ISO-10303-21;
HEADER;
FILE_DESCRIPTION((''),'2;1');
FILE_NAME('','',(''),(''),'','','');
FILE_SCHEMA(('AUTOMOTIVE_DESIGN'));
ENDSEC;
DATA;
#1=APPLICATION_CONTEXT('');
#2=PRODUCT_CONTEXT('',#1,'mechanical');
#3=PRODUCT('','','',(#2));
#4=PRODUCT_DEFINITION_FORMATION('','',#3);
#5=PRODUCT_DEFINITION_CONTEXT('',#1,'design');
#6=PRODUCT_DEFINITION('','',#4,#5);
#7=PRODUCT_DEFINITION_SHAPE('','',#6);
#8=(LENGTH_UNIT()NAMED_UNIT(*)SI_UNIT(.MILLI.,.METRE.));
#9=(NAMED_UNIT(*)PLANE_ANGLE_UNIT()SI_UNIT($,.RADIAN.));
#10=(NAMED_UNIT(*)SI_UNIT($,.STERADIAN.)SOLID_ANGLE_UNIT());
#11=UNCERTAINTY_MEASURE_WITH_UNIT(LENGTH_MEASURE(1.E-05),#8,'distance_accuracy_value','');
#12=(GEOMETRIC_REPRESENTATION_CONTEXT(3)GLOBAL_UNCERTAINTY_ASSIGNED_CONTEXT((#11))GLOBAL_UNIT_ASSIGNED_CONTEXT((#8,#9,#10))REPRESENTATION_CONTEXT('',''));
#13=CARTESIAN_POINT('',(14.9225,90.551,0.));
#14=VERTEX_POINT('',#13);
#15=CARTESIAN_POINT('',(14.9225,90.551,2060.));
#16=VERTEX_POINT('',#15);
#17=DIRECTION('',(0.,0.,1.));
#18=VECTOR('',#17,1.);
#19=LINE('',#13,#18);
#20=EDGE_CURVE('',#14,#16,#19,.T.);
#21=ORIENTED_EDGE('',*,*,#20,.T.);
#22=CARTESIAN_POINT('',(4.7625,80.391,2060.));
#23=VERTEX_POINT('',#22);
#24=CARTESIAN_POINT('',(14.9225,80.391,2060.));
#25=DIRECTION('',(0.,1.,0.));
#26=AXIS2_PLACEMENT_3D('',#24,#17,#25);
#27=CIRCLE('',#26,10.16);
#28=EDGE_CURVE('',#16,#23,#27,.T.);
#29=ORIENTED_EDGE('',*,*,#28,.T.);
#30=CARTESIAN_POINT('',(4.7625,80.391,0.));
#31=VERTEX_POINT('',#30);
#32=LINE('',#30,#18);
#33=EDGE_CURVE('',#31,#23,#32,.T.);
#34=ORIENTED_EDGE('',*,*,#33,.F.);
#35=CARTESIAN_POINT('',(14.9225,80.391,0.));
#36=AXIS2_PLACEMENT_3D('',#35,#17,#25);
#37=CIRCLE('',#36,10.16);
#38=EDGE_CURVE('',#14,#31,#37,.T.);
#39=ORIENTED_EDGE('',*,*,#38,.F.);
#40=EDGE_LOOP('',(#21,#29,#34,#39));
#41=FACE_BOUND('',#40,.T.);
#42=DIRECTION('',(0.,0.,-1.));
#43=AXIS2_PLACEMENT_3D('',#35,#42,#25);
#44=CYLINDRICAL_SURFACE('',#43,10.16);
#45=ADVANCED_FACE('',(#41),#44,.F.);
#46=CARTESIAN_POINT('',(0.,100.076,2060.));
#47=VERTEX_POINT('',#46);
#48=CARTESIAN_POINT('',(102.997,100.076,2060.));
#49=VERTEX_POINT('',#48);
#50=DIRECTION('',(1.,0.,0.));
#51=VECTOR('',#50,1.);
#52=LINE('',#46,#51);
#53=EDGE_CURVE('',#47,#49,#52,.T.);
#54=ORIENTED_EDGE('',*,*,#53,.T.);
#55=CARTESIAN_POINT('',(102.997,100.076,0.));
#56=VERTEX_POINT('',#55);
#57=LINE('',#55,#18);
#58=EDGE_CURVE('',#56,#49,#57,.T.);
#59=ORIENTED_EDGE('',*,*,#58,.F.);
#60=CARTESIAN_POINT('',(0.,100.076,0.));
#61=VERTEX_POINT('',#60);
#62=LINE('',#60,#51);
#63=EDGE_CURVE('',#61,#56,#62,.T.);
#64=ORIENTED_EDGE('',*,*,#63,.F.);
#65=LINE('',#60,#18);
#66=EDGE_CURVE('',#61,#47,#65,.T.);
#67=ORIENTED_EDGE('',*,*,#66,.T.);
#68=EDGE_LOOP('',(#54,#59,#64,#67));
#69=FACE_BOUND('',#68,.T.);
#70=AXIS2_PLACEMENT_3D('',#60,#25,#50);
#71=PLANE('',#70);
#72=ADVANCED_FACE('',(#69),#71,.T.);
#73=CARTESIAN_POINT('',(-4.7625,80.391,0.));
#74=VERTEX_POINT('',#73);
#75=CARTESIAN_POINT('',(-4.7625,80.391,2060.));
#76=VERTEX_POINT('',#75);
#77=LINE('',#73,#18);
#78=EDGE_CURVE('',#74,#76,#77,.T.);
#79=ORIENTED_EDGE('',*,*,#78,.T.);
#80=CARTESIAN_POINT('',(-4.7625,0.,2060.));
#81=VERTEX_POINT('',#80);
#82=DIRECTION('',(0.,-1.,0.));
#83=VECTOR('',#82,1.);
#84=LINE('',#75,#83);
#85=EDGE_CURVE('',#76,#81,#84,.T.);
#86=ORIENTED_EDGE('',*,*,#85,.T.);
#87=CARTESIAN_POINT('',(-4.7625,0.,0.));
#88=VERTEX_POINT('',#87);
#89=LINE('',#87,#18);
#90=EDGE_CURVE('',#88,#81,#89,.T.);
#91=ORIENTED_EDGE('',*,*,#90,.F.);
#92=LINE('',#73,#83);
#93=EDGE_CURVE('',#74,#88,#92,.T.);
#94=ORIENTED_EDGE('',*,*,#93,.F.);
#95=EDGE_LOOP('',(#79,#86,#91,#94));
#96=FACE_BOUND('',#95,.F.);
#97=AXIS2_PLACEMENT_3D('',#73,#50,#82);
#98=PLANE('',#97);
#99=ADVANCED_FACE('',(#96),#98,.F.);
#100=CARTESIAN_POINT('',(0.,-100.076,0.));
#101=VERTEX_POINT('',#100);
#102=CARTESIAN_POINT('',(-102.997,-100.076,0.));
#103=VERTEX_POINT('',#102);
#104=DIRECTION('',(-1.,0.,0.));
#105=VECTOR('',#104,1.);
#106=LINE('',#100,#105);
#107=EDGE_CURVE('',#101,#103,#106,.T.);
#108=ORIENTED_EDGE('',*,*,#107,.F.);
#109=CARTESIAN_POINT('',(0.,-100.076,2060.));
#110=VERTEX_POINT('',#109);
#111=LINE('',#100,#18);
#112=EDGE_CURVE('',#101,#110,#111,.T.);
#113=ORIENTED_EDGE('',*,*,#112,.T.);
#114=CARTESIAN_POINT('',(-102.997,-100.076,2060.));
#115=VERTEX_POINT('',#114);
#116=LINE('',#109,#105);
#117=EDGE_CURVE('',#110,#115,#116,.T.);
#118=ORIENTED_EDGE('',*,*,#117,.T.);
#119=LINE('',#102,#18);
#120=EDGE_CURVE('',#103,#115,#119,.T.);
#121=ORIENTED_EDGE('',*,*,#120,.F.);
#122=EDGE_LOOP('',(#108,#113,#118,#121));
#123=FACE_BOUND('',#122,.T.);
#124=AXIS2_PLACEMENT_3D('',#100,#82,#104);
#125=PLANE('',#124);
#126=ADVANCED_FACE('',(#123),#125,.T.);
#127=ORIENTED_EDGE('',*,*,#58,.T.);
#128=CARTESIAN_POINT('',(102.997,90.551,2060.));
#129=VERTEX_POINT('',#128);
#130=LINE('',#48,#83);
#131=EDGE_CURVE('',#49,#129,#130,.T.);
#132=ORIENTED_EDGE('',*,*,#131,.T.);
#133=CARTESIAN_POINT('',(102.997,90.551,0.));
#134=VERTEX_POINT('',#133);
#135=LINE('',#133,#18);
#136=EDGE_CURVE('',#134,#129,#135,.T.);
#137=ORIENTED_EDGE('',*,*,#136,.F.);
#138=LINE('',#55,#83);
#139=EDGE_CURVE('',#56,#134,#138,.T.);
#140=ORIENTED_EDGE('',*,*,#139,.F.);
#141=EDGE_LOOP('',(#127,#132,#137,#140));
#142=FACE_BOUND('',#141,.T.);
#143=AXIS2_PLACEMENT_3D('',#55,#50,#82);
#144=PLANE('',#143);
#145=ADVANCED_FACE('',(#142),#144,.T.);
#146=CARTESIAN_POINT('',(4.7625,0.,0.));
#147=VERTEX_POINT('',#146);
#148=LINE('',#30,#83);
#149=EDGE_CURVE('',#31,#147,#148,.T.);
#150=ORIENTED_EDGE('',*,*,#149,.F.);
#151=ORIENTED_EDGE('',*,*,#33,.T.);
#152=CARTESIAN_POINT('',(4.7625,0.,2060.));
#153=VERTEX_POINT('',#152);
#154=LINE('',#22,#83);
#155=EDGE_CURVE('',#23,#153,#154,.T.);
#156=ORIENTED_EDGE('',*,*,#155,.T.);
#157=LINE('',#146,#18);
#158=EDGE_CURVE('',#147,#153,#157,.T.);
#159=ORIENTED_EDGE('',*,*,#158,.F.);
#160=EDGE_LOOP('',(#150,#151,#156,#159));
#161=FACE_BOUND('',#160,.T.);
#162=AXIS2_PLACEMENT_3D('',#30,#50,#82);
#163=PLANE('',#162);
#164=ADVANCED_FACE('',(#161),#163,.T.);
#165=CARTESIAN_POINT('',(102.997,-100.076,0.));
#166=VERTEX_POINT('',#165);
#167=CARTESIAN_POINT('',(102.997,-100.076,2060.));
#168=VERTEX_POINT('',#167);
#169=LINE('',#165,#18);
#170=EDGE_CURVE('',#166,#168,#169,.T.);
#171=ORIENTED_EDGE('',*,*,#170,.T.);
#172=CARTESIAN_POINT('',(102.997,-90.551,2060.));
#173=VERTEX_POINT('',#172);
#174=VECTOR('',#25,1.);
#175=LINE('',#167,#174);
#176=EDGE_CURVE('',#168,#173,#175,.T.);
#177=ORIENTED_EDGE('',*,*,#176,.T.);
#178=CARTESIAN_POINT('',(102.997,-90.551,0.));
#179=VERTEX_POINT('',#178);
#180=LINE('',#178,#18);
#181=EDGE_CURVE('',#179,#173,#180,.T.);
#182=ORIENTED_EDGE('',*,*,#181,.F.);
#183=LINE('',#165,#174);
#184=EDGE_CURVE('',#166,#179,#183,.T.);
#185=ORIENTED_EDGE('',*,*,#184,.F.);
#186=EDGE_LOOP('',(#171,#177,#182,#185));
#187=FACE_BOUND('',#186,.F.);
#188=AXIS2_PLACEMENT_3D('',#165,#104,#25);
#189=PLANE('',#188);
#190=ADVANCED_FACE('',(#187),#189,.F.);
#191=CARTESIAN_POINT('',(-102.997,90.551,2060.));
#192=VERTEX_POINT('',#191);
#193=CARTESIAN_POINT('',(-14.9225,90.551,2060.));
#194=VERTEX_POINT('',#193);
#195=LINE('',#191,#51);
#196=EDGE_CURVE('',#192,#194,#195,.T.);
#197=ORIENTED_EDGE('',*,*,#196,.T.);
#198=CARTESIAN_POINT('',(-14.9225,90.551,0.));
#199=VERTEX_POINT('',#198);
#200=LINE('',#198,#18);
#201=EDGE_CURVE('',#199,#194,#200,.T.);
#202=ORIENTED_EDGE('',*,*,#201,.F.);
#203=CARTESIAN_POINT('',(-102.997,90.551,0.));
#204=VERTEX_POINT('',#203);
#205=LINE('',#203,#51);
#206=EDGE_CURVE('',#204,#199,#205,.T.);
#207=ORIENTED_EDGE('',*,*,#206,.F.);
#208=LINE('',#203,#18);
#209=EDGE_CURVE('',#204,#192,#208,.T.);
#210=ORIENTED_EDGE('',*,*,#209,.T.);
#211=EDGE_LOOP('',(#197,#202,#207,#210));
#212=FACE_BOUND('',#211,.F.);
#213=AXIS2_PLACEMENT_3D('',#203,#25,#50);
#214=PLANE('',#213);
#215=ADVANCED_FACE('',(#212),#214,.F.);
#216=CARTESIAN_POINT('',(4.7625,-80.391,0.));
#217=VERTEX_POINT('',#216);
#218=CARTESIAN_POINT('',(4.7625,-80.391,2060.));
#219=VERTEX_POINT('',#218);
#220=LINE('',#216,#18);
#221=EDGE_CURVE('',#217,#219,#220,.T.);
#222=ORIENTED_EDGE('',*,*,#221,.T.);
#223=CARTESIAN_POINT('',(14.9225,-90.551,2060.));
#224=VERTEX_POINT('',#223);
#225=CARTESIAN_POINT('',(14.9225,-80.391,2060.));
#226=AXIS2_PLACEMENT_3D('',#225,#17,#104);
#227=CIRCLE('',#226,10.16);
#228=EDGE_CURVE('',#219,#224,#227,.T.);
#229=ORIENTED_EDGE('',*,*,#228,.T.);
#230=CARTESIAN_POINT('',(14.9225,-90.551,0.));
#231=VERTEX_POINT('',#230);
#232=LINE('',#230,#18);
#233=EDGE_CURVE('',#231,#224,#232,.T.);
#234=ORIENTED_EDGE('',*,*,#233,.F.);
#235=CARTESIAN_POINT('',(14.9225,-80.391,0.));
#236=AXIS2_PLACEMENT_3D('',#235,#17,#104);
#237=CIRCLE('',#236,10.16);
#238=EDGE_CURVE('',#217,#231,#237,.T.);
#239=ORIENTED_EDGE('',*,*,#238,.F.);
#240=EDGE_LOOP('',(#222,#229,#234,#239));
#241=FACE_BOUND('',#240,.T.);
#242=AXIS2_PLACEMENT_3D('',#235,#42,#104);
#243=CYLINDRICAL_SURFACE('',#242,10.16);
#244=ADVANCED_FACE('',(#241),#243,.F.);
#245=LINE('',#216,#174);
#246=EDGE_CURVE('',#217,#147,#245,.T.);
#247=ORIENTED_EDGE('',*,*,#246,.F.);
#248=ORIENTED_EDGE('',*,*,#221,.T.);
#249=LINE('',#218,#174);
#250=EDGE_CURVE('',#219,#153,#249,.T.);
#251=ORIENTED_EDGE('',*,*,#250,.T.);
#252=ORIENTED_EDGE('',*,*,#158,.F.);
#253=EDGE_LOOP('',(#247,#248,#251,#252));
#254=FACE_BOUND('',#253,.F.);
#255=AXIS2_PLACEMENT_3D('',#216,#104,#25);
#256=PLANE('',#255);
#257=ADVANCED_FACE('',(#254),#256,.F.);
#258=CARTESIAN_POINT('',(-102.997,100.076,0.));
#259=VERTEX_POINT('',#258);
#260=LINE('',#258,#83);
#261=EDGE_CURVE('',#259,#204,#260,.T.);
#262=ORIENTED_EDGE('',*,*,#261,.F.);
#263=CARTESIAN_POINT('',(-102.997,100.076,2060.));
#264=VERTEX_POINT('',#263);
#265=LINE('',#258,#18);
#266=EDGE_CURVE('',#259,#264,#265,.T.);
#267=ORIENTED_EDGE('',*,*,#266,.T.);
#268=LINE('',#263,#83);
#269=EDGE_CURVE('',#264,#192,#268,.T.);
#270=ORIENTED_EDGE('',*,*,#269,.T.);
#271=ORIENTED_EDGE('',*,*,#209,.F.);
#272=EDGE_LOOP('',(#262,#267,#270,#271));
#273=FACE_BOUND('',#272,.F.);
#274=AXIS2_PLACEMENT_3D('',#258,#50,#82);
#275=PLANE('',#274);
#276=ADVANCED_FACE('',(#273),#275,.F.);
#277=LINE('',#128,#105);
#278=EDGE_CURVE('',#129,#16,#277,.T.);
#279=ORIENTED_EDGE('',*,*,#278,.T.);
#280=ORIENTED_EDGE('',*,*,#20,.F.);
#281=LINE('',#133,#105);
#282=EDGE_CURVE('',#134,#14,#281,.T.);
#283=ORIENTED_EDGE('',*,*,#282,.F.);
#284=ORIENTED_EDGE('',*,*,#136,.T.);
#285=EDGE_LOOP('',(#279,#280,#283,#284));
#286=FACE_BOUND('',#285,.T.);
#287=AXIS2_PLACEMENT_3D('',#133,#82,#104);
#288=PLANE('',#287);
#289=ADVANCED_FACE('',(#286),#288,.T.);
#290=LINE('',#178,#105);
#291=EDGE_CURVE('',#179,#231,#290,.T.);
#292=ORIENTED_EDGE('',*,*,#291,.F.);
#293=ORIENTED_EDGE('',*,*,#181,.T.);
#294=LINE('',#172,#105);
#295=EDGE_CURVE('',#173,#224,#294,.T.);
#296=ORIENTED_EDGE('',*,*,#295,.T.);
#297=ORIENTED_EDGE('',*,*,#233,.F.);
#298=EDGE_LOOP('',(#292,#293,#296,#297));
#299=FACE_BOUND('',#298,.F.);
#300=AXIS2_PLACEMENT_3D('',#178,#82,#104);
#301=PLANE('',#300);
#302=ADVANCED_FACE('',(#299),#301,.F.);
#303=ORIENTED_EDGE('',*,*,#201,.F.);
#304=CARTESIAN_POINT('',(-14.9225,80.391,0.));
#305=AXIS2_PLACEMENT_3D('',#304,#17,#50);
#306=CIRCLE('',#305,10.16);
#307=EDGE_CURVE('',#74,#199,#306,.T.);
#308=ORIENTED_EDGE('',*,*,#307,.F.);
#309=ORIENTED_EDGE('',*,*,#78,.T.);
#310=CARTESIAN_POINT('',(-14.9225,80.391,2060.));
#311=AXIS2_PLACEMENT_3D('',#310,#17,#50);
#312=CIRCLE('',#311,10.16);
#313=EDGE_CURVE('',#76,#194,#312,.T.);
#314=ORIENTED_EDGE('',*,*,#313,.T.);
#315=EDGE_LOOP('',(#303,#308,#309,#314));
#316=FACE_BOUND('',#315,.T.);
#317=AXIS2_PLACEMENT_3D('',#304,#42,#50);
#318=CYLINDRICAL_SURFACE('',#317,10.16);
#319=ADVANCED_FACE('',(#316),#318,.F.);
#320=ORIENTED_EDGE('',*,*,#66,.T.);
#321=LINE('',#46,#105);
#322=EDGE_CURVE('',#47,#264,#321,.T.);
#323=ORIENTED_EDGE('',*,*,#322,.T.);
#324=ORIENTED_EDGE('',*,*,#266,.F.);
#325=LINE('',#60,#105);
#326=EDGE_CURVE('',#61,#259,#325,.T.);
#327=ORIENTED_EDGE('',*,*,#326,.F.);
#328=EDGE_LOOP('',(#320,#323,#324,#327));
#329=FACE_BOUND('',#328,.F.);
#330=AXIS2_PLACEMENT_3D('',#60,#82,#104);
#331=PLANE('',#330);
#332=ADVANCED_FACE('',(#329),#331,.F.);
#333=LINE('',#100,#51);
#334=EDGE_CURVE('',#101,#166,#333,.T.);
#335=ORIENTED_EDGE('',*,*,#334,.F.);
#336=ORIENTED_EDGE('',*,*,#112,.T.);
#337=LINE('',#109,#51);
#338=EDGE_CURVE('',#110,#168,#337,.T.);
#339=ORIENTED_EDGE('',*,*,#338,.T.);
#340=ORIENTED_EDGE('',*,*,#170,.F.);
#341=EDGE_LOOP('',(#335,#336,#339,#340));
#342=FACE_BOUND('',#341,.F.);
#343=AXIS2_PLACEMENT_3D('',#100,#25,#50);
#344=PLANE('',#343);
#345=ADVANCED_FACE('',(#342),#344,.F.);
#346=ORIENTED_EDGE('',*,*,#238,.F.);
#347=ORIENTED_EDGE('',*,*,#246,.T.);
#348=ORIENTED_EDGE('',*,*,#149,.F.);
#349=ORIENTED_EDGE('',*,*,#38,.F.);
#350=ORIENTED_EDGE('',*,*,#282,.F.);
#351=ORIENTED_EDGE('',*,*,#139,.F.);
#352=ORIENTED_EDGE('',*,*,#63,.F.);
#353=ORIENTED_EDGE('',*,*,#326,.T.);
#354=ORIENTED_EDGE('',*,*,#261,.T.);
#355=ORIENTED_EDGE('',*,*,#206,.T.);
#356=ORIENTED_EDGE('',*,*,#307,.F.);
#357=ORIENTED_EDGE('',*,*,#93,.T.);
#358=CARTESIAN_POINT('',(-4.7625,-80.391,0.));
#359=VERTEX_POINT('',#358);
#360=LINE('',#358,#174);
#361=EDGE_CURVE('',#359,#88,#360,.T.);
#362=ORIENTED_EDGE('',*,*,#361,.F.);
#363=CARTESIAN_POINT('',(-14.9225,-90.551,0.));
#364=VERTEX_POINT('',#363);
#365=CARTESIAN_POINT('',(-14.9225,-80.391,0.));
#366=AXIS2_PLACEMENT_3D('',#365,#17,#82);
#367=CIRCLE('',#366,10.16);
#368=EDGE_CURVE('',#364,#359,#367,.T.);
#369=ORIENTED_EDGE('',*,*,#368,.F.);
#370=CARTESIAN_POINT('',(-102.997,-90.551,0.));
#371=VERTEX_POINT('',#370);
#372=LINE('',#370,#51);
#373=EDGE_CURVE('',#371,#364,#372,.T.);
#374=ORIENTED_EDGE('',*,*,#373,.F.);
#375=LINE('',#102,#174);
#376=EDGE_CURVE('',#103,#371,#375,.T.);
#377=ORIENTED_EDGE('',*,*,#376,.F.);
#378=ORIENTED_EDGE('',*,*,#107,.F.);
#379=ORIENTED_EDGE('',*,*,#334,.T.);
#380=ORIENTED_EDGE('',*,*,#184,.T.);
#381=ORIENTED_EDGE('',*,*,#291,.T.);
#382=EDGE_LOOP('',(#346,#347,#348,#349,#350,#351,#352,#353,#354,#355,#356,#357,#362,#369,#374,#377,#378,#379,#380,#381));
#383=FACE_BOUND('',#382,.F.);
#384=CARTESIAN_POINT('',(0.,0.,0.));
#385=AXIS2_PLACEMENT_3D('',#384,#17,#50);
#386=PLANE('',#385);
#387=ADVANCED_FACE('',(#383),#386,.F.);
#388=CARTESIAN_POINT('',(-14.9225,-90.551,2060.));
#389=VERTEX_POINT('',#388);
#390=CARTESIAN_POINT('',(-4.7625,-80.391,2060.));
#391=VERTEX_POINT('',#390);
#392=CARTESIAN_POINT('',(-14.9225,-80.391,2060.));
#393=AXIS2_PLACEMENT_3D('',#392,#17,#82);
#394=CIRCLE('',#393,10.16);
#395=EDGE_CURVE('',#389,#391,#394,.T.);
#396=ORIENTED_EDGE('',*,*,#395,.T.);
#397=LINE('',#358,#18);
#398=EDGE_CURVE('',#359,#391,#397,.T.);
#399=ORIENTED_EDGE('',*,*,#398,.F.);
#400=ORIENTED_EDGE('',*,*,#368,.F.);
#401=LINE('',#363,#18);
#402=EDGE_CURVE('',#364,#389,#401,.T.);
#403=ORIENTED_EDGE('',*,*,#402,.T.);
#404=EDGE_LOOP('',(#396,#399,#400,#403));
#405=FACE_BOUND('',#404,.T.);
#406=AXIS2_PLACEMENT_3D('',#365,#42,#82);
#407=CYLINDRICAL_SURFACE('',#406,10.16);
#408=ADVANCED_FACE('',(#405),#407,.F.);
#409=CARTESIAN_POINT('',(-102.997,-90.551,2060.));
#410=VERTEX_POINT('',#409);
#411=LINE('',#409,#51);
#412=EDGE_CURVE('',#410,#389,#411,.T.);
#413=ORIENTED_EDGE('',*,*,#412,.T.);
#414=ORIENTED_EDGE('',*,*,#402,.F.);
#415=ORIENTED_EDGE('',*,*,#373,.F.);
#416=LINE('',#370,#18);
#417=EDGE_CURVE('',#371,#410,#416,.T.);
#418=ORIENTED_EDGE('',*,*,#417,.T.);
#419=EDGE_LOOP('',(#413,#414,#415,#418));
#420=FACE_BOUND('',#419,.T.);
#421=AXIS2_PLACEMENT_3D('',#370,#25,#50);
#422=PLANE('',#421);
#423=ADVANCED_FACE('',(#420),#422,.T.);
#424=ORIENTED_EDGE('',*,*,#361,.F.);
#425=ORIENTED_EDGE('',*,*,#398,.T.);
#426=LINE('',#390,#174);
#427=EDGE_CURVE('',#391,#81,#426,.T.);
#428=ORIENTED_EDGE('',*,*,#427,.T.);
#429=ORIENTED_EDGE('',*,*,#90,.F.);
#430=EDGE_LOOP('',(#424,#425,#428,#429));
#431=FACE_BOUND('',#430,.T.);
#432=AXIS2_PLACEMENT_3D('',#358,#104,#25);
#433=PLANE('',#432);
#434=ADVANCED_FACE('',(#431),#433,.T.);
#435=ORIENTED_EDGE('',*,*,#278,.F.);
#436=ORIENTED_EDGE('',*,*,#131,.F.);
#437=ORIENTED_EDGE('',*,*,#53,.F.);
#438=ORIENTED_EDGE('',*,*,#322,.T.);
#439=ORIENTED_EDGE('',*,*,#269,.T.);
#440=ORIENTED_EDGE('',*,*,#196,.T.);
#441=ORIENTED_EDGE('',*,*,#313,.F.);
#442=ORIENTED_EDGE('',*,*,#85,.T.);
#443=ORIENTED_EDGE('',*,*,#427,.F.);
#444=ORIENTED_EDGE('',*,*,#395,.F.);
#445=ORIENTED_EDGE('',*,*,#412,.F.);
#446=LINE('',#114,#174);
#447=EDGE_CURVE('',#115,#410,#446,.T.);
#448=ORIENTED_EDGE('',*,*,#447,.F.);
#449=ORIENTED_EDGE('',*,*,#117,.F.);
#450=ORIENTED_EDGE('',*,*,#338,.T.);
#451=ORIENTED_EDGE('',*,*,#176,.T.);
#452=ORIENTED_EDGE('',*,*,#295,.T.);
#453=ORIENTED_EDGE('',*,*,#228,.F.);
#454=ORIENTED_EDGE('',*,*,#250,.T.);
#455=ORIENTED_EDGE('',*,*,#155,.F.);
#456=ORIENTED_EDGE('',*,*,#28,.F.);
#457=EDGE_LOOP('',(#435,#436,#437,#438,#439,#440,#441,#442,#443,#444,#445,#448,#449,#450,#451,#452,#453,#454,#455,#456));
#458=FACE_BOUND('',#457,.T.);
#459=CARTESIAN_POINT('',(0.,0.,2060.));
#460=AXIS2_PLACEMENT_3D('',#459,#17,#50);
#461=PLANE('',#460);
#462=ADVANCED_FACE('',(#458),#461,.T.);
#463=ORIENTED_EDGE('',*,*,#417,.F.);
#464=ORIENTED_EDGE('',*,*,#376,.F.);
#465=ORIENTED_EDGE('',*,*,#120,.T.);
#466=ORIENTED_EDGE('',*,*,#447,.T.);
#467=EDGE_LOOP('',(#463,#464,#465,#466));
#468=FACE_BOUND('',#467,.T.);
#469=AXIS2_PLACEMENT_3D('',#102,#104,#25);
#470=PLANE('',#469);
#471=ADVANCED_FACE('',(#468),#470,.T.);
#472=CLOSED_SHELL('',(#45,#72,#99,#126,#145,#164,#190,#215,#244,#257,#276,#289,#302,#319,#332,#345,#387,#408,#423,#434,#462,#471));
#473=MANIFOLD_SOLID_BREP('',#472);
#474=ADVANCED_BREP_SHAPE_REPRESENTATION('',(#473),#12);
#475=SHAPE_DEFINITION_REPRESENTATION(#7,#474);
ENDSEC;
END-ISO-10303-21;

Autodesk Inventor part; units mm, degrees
ref_plane "YZ Plane" through (0, 0, 0) normal (1, 0, 0) x (0, 1, 0)
ref_plane "Start Plane" through (0, 0, 0) normal (0, 0, 1) x (1, 0, 0)
ref_plane "End Plane" through (0, 0, 2060) normal (0, 0, 1) x (1, 0, 0)
sketch "Sketch" plane through (0, 0, 0) normal (0, 0, 1) x (1, 0, 0)
  line L0 (-102.997, -100.076) -> (-102.997, -90.551)
  line L1 (-102.997, -90.551) -> (-14.9225, -90.551)
  line L2 (-4.7625, -80.391) -> (-4.7625, 0)
  line L3 (-4.7625, 0) -> (0, 0) construction
  line L4 (0, 0) -> (0, -100.076) construction
  line L5 (0, -100.076) -> (-102.997, -100.076)
  line L6 (-60, 0) -> (80, 0) construction
  line L7 (0, -60) -> (0, 80) construction
  line L8 (102.997, -100.076) -> (102.997, -90.551)
  line L9 (102.997, -90.551) -> (14.9225, -90.551)
  line L10 (4.7625, -80.391) -> (4.7625, 0)
  line L11 (4.7625, 0) -> (0, 0) construction
  line L12 (0, -100.076) -> (102.997, -100.076)
  line L13 (-102.997, 100.076) -> (-102.997, 90.551)
  line L14 (-102.997, 90.551) -> (-14.9225, 90.551)
  line L15 (-4.7625, 80.391) -> (-4.7625, 0)
  line L16 (0, 100.076) -> (-102.997, 100.076)
  line L17 (102.997, 100.076) -> (102.997, 90.551)
  line L18 (102.997, 90.551) -> (14.9225, 90.551)
  line L19 (0, 100.076) -> (102.997, 100.076)
  line L20 (4.7625, 80.391) -> (4.7625, 0)
  arc A0 (-4.7625, 80.391) -> (-14.9225, 90.551) centre (-14.9225, 80.391) ccw
  arc A1 (14.9225, 90.551) -> (4.7625, 80.391) centre (14.9225, 80.391) ccw
  arc A2 (4.7625, -80.391) -> (14.9225, -90.551) centre (14.9225, -80.391) ccw
  arc A3 (-14.9225, -90.551) -> (-4.7625, -80.391) centre (-14.9225, -80.391) ccw
  line L21 (0, 140.1064) -> (0, -140.1064) construction
  line L22 (-144.1958, 0) -> (144.1958, 0) construction
  point P0 (-4.7625, -90.551)
  point P1 (4.7625, -90.551)
  point P2 (-4.7625, 90.551)
  point P3 (4.7625, 90.551)
  dimension "d1" = 100.076
  dimension "d2" = 9.525
  dimension "d3" = 102.997
  dimension "d4" = 4.7625
  dimension "d13" = 10.16
extrude "Body" add sketch "Sketch" along normal up to surface (2060 mm away) from surface at 0
sketch "Sketch4" plane through (0, 0, 0) normal (0, 0, 1) x (1, 0, 0)
  line L0 (0, 0) -> (10, 0)
ref_plane "Work Plane3" through (0, 0, 0) normal (0, -1, 0) x (1, 0, 0)
sketch "Sketch5" plane through (0, 0, 0) normal (0, -1, 0) x (1, 0, 0)
  line L0 (-2, 0) -> (12, 0) projected
  line L1 (-2, 2060) -> (12, 2060) projected
  dimension "d15" = 2060
equation "\"d1\" = 0.5 * G_H"
equation "\"d2\" = G_T1"
equation "\"d3\" = 0.5 * G_W"
equation "\"d4\" = 0.5 * G_T"
equation "\"d13\" = G_IR"
equation "\"d5\" = G_L"
equation "\"G_W\" = 205.994"
equation "\"G_H\" = 200.152"
equation "\"G_T\" = 9.525"
equation "\"G_T1\" = 9.525"
equation "\"G_IR\" = 10.16"
equation "\"G_L\" = d15"
equation "\"G_OFFSET_START\" = 0"
equation "\"G_OFFSET_END\" = 0"
equation "\"d12\" = G_OFFSET_END + B_L"
equation "\"B_L\" = 2060"
properties part number "ASTM A6/A6M - UP8 x 30 (7.88x8.11) - 81.102" material "Steel, Mild"
